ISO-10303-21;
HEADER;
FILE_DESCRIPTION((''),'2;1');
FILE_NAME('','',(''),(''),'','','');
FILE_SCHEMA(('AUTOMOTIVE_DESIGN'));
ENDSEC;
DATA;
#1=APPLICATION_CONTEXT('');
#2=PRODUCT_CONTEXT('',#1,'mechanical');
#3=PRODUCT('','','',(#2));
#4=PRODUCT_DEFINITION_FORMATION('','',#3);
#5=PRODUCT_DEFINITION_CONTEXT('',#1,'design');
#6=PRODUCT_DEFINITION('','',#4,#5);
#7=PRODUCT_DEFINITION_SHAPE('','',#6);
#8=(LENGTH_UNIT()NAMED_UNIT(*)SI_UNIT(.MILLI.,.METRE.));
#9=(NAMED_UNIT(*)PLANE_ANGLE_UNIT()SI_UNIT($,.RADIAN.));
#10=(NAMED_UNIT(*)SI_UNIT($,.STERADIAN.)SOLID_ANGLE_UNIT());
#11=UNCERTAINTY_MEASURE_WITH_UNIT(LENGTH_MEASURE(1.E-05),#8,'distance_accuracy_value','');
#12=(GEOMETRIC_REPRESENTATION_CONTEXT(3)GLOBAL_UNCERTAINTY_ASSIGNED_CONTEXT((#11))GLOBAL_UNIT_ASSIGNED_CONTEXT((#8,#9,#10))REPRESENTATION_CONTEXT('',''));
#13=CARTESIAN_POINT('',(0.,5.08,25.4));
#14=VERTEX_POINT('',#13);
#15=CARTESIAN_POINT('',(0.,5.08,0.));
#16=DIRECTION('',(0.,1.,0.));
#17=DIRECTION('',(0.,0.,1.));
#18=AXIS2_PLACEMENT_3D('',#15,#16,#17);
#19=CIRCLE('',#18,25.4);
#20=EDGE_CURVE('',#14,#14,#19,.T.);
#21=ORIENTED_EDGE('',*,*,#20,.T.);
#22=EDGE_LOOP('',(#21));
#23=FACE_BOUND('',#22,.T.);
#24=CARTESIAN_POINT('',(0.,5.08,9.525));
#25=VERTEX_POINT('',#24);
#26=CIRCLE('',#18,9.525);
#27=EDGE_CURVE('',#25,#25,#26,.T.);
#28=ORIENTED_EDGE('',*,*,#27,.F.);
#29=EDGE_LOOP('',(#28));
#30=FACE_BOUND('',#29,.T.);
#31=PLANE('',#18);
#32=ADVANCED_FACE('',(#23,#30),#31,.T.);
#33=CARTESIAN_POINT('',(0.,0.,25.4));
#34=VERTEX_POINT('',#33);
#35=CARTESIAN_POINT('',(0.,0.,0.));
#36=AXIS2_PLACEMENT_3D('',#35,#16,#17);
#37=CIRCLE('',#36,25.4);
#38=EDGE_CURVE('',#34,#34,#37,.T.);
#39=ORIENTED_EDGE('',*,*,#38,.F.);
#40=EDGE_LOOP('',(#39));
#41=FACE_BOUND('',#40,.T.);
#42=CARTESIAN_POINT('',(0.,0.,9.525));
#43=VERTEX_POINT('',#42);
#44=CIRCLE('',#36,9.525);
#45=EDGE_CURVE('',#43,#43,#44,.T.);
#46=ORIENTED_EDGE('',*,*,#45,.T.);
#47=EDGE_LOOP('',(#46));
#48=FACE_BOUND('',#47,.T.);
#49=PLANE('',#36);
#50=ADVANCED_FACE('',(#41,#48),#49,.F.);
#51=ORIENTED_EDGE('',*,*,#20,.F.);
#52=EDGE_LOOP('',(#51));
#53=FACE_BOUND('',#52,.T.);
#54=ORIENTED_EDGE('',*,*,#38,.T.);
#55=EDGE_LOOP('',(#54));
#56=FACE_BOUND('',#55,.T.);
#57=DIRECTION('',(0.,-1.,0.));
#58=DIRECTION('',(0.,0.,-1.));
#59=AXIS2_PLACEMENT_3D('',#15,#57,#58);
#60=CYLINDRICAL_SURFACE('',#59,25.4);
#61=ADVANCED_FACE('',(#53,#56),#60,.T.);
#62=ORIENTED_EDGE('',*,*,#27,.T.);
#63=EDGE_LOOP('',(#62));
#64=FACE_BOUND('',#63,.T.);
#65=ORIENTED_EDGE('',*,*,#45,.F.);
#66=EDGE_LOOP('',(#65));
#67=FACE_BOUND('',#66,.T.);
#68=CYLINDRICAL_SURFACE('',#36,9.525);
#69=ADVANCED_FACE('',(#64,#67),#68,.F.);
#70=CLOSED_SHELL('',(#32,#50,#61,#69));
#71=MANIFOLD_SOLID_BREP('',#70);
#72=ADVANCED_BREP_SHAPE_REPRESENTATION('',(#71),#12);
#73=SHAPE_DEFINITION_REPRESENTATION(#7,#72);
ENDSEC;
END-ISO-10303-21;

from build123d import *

# Parameters (mm, degrees)
SKETCH1_R           = 25.4
BOSS_EXTRUDE1_DEPTH = 5.08
SKETCH2_R           = 9.525
CUT_EXTRUDE1_DEPTH  = 5.08


with BuildPart() as part:
    # Sketch1 → Boss-Extrude1 (new body)
    with BuildSketch(Plane(origin=(0, 0, 0), x_dir=(1, 0, 0), z_dir=(0, 1, 0))):
        with Locations(Location((0, 0, 0), (0, 0, 270))):
            Circle(SKETCH1_R)
    extrude(amount=BOSS_EXTRUDE1_DEPTH)

    # Sketch2 → Cut-Extrude1 (cut)
    with BuildSketch(Plane(origin=(0, 5.08, 0), x_dir=(1, 0, 0), z_dir=(0, 1, 0))):
        with Locations(Location((0, 0, 0), (0, 0, 270))):
            Circle(SKETCH2_R)
    extrude(amount=-CUT_EXTRUDE1_DEPTH, mode=Mode.SUBTRACT)


solid = part.part
